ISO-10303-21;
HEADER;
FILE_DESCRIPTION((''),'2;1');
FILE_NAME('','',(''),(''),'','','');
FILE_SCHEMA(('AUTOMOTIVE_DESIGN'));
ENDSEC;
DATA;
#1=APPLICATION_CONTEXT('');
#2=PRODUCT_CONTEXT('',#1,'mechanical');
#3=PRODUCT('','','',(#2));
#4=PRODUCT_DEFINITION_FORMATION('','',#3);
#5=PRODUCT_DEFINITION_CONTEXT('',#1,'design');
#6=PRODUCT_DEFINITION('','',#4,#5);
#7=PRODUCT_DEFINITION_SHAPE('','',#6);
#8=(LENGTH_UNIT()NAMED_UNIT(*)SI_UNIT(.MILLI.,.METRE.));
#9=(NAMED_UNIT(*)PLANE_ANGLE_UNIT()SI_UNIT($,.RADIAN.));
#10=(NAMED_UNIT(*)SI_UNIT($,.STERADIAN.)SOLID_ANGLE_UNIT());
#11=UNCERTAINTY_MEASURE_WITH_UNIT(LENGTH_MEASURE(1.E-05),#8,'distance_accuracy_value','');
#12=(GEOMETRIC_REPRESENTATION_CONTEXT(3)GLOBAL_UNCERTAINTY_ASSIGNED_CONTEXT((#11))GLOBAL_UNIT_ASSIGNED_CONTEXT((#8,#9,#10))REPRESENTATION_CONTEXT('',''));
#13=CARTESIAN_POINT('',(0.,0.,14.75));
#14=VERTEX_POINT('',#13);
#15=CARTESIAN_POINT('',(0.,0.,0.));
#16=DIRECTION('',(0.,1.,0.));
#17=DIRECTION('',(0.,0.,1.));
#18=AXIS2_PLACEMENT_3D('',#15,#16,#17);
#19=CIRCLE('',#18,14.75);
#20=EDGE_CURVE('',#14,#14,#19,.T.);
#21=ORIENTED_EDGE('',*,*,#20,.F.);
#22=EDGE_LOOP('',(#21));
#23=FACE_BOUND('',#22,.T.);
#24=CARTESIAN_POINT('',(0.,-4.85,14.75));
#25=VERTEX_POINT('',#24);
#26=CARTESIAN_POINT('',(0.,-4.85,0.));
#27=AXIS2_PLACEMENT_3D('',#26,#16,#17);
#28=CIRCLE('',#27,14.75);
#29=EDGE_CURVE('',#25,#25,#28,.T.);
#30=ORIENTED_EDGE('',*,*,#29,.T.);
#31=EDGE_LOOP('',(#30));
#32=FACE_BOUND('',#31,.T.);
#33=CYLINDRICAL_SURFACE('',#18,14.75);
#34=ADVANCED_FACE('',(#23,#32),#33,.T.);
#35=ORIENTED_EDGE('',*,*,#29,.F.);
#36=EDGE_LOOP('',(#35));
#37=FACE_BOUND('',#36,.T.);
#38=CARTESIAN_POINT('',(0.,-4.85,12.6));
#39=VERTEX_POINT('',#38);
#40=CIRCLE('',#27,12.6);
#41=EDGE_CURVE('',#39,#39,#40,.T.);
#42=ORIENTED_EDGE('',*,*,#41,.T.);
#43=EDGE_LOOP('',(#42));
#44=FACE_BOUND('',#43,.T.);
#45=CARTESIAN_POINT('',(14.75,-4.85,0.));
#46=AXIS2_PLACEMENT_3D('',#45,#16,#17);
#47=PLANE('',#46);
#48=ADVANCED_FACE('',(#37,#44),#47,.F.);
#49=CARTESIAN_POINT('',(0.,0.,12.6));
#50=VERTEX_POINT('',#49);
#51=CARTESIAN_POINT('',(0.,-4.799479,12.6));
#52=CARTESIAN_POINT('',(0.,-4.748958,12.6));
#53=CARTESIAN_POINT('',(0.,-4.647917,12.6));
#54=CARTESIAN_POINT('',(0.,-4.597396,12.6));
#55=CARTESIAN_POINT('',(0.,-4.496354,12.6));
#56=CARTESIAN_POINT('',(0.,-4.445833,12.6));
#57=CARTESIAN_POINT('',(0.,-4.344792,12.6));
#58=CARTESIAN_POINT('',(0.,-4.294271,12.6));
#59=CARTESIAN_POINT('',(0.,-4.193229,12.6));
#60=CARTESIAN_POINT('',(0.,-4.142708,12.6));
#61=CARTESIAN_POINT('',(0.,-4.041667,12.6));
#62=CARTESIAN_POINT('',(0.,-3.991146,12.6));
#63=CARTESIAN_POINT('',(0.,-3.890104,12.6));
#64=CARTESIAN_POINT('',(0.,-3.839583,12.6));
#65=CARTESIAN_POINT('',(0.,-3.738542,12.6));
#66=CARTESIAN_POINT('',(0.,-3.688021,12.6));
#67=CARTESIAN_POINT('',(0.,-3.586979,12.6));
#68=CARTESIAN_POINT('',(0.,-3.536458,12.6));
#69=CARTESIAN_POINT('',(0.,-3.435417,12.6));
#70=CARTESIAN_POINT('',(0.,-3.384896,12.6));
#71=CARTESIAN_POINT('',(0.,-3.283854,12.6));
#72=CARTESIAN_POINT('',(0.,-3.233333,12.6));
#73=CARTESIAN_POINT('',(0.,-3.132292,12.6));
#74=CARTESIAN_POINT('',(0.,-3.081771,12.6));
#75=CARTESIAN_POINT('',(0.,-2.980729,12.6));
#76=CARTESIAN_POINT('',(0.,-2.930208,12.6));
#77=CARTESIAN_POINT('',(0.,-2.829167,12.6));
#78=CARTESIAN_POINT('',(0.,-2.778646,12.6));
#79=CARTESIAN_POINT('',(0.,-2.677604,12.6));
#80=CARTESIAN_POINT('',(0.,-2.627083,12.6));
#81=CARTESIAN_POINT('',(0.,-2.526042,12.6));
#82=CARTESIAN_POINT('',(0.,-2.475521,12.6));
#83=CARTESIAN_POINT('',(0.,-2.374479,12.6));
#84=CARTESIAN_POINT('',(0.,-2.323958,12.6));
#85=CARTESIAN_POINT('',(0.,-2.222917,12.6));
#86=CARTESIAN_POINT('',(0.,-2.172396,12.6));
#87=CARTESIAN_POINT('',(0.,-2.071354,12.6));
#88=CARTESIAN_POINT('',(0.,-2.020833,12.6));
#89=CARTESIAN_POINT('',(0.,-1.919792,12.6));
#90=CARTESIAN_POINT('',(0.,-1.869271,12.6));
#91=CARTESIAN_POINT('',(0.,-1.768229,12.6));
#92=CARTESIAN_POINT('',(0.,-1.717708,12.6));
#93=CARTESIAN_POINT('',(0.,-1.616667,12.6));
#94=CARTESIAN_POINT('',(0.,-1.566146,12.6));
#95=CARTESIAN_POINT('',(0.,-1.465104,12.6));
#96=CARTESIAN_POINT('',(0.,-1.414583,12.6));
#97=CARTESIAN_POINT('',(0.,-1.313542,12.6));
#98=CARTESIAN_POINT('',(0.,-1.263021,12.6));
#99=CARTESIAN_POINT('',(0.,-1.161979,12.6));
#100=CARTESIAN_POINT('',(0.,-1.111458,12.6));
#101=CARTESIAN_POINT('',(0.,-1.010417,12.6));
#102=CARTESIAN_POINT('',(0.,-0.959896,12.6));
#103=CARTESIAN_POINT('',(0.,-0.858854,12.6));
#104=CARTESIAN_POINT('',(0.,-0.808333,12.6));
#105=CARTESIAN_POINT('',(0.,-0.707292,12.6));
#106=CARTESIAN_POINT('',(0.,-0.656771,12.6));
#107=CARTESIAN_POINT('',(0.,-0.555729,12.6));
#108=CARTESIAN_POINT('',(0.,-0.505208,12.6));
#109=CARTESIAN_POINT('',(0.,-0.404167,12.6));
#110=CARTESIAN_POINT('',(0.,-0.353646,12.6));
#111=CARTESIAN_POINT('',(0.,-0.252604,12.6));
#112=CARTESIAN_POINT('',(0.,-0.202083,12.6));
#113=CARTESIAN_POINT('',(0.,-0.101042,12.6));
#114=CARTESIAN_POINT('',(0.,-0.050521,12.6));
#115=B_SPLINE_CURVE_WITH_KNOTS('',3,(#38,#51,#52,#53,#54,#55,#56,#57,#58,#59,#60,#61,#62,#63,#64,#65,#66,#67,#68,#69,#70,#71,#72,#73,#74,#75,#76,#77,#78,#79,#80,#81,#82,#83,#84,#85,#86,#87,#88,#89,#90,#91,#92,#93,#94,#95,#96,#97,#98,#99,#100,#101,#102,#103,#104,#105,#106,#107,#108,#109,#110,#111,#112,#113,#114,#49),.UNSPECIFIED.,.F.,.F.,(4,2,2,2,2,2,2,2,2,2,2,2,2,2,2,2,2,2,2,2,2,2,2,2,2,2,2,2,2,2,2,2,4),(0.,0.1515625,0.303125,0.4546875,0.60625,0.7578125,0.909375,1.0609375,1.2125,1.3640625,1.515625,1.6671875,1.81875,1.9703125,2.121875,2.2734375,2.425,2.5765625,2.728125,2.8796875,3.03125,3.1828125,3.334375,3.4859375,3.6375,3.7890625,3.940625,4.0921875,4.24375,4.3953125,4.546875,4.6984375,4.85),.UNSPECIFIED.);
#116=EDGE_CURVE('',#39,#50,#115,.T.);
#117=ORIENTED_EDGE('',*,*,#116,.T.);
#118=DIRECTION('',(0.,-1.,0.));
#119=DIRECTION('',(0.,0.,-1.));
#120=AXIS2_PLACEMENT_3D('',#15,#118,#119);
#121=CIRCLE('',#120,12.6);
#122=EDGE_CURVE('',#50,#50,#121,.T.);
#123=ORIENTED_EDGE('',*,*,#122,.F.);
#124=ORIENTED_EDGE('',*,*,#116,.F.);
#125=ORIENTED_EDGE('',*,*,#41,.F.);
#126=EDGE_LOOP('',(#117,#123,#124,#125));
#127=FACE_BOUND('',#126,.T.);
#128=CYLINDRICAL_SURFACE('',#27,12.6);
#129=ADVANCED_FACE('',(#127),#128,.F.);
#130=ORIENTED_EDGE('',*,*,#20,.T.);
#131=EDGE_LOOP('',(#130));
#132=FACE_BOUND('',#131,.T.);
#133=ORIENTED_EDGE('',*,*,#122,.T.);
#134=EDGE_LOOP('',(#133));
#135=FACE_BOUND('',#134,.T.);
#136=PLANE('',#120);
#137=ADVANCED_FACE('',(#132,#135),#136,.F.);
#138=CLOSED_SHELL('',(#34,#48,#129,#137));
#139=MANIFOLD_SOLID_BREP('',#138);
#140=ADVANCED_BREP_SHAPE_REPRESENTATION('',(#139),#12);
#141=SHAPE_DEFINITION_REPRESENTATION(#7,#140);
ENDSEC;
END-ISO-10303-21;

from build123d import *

# Parameters (mm, degrees)
SKETCH1_W               = 14.75
SKETCH1_H               = 4.85
CUT_EXTRUDE1_DEPTH      = 22.41605706
CUT_EXTRUDE1_DEPTH_BACK = 22.41605706
SKETCH2_R               = 12.6


with BuildPart() as part:
    # Sketch1 → Revolve1 (revolve)
    with BuildSketch(Plane.XY):
        with Locations((7.375, -2.425)):
            Rectangle(SKETCH1_W, SKETCH1_H)
    revolve(axis=Axis((0, 0, 0), (0, -1, 0)))

    # Sketch2 → Cut-Extrude1 (cut, two sides: drawn at the far end of the back side and taken through both)
    with BuildSketch(Plane(origin=(0, 0, 0), x_dir=(1, 0, 0), z_dir=(0, 1, 0)).offset(-CUT_EXTRUDE1_DEPTH_BACK)):
        Circle(SKETCH2_R)
    extrude(amount=CUT_EXTRUDE1_DEPTH + CUT_EXTRUDE1_DEPTH_BACK, mode=Mode.SUBTRACT)


solid = part.part
